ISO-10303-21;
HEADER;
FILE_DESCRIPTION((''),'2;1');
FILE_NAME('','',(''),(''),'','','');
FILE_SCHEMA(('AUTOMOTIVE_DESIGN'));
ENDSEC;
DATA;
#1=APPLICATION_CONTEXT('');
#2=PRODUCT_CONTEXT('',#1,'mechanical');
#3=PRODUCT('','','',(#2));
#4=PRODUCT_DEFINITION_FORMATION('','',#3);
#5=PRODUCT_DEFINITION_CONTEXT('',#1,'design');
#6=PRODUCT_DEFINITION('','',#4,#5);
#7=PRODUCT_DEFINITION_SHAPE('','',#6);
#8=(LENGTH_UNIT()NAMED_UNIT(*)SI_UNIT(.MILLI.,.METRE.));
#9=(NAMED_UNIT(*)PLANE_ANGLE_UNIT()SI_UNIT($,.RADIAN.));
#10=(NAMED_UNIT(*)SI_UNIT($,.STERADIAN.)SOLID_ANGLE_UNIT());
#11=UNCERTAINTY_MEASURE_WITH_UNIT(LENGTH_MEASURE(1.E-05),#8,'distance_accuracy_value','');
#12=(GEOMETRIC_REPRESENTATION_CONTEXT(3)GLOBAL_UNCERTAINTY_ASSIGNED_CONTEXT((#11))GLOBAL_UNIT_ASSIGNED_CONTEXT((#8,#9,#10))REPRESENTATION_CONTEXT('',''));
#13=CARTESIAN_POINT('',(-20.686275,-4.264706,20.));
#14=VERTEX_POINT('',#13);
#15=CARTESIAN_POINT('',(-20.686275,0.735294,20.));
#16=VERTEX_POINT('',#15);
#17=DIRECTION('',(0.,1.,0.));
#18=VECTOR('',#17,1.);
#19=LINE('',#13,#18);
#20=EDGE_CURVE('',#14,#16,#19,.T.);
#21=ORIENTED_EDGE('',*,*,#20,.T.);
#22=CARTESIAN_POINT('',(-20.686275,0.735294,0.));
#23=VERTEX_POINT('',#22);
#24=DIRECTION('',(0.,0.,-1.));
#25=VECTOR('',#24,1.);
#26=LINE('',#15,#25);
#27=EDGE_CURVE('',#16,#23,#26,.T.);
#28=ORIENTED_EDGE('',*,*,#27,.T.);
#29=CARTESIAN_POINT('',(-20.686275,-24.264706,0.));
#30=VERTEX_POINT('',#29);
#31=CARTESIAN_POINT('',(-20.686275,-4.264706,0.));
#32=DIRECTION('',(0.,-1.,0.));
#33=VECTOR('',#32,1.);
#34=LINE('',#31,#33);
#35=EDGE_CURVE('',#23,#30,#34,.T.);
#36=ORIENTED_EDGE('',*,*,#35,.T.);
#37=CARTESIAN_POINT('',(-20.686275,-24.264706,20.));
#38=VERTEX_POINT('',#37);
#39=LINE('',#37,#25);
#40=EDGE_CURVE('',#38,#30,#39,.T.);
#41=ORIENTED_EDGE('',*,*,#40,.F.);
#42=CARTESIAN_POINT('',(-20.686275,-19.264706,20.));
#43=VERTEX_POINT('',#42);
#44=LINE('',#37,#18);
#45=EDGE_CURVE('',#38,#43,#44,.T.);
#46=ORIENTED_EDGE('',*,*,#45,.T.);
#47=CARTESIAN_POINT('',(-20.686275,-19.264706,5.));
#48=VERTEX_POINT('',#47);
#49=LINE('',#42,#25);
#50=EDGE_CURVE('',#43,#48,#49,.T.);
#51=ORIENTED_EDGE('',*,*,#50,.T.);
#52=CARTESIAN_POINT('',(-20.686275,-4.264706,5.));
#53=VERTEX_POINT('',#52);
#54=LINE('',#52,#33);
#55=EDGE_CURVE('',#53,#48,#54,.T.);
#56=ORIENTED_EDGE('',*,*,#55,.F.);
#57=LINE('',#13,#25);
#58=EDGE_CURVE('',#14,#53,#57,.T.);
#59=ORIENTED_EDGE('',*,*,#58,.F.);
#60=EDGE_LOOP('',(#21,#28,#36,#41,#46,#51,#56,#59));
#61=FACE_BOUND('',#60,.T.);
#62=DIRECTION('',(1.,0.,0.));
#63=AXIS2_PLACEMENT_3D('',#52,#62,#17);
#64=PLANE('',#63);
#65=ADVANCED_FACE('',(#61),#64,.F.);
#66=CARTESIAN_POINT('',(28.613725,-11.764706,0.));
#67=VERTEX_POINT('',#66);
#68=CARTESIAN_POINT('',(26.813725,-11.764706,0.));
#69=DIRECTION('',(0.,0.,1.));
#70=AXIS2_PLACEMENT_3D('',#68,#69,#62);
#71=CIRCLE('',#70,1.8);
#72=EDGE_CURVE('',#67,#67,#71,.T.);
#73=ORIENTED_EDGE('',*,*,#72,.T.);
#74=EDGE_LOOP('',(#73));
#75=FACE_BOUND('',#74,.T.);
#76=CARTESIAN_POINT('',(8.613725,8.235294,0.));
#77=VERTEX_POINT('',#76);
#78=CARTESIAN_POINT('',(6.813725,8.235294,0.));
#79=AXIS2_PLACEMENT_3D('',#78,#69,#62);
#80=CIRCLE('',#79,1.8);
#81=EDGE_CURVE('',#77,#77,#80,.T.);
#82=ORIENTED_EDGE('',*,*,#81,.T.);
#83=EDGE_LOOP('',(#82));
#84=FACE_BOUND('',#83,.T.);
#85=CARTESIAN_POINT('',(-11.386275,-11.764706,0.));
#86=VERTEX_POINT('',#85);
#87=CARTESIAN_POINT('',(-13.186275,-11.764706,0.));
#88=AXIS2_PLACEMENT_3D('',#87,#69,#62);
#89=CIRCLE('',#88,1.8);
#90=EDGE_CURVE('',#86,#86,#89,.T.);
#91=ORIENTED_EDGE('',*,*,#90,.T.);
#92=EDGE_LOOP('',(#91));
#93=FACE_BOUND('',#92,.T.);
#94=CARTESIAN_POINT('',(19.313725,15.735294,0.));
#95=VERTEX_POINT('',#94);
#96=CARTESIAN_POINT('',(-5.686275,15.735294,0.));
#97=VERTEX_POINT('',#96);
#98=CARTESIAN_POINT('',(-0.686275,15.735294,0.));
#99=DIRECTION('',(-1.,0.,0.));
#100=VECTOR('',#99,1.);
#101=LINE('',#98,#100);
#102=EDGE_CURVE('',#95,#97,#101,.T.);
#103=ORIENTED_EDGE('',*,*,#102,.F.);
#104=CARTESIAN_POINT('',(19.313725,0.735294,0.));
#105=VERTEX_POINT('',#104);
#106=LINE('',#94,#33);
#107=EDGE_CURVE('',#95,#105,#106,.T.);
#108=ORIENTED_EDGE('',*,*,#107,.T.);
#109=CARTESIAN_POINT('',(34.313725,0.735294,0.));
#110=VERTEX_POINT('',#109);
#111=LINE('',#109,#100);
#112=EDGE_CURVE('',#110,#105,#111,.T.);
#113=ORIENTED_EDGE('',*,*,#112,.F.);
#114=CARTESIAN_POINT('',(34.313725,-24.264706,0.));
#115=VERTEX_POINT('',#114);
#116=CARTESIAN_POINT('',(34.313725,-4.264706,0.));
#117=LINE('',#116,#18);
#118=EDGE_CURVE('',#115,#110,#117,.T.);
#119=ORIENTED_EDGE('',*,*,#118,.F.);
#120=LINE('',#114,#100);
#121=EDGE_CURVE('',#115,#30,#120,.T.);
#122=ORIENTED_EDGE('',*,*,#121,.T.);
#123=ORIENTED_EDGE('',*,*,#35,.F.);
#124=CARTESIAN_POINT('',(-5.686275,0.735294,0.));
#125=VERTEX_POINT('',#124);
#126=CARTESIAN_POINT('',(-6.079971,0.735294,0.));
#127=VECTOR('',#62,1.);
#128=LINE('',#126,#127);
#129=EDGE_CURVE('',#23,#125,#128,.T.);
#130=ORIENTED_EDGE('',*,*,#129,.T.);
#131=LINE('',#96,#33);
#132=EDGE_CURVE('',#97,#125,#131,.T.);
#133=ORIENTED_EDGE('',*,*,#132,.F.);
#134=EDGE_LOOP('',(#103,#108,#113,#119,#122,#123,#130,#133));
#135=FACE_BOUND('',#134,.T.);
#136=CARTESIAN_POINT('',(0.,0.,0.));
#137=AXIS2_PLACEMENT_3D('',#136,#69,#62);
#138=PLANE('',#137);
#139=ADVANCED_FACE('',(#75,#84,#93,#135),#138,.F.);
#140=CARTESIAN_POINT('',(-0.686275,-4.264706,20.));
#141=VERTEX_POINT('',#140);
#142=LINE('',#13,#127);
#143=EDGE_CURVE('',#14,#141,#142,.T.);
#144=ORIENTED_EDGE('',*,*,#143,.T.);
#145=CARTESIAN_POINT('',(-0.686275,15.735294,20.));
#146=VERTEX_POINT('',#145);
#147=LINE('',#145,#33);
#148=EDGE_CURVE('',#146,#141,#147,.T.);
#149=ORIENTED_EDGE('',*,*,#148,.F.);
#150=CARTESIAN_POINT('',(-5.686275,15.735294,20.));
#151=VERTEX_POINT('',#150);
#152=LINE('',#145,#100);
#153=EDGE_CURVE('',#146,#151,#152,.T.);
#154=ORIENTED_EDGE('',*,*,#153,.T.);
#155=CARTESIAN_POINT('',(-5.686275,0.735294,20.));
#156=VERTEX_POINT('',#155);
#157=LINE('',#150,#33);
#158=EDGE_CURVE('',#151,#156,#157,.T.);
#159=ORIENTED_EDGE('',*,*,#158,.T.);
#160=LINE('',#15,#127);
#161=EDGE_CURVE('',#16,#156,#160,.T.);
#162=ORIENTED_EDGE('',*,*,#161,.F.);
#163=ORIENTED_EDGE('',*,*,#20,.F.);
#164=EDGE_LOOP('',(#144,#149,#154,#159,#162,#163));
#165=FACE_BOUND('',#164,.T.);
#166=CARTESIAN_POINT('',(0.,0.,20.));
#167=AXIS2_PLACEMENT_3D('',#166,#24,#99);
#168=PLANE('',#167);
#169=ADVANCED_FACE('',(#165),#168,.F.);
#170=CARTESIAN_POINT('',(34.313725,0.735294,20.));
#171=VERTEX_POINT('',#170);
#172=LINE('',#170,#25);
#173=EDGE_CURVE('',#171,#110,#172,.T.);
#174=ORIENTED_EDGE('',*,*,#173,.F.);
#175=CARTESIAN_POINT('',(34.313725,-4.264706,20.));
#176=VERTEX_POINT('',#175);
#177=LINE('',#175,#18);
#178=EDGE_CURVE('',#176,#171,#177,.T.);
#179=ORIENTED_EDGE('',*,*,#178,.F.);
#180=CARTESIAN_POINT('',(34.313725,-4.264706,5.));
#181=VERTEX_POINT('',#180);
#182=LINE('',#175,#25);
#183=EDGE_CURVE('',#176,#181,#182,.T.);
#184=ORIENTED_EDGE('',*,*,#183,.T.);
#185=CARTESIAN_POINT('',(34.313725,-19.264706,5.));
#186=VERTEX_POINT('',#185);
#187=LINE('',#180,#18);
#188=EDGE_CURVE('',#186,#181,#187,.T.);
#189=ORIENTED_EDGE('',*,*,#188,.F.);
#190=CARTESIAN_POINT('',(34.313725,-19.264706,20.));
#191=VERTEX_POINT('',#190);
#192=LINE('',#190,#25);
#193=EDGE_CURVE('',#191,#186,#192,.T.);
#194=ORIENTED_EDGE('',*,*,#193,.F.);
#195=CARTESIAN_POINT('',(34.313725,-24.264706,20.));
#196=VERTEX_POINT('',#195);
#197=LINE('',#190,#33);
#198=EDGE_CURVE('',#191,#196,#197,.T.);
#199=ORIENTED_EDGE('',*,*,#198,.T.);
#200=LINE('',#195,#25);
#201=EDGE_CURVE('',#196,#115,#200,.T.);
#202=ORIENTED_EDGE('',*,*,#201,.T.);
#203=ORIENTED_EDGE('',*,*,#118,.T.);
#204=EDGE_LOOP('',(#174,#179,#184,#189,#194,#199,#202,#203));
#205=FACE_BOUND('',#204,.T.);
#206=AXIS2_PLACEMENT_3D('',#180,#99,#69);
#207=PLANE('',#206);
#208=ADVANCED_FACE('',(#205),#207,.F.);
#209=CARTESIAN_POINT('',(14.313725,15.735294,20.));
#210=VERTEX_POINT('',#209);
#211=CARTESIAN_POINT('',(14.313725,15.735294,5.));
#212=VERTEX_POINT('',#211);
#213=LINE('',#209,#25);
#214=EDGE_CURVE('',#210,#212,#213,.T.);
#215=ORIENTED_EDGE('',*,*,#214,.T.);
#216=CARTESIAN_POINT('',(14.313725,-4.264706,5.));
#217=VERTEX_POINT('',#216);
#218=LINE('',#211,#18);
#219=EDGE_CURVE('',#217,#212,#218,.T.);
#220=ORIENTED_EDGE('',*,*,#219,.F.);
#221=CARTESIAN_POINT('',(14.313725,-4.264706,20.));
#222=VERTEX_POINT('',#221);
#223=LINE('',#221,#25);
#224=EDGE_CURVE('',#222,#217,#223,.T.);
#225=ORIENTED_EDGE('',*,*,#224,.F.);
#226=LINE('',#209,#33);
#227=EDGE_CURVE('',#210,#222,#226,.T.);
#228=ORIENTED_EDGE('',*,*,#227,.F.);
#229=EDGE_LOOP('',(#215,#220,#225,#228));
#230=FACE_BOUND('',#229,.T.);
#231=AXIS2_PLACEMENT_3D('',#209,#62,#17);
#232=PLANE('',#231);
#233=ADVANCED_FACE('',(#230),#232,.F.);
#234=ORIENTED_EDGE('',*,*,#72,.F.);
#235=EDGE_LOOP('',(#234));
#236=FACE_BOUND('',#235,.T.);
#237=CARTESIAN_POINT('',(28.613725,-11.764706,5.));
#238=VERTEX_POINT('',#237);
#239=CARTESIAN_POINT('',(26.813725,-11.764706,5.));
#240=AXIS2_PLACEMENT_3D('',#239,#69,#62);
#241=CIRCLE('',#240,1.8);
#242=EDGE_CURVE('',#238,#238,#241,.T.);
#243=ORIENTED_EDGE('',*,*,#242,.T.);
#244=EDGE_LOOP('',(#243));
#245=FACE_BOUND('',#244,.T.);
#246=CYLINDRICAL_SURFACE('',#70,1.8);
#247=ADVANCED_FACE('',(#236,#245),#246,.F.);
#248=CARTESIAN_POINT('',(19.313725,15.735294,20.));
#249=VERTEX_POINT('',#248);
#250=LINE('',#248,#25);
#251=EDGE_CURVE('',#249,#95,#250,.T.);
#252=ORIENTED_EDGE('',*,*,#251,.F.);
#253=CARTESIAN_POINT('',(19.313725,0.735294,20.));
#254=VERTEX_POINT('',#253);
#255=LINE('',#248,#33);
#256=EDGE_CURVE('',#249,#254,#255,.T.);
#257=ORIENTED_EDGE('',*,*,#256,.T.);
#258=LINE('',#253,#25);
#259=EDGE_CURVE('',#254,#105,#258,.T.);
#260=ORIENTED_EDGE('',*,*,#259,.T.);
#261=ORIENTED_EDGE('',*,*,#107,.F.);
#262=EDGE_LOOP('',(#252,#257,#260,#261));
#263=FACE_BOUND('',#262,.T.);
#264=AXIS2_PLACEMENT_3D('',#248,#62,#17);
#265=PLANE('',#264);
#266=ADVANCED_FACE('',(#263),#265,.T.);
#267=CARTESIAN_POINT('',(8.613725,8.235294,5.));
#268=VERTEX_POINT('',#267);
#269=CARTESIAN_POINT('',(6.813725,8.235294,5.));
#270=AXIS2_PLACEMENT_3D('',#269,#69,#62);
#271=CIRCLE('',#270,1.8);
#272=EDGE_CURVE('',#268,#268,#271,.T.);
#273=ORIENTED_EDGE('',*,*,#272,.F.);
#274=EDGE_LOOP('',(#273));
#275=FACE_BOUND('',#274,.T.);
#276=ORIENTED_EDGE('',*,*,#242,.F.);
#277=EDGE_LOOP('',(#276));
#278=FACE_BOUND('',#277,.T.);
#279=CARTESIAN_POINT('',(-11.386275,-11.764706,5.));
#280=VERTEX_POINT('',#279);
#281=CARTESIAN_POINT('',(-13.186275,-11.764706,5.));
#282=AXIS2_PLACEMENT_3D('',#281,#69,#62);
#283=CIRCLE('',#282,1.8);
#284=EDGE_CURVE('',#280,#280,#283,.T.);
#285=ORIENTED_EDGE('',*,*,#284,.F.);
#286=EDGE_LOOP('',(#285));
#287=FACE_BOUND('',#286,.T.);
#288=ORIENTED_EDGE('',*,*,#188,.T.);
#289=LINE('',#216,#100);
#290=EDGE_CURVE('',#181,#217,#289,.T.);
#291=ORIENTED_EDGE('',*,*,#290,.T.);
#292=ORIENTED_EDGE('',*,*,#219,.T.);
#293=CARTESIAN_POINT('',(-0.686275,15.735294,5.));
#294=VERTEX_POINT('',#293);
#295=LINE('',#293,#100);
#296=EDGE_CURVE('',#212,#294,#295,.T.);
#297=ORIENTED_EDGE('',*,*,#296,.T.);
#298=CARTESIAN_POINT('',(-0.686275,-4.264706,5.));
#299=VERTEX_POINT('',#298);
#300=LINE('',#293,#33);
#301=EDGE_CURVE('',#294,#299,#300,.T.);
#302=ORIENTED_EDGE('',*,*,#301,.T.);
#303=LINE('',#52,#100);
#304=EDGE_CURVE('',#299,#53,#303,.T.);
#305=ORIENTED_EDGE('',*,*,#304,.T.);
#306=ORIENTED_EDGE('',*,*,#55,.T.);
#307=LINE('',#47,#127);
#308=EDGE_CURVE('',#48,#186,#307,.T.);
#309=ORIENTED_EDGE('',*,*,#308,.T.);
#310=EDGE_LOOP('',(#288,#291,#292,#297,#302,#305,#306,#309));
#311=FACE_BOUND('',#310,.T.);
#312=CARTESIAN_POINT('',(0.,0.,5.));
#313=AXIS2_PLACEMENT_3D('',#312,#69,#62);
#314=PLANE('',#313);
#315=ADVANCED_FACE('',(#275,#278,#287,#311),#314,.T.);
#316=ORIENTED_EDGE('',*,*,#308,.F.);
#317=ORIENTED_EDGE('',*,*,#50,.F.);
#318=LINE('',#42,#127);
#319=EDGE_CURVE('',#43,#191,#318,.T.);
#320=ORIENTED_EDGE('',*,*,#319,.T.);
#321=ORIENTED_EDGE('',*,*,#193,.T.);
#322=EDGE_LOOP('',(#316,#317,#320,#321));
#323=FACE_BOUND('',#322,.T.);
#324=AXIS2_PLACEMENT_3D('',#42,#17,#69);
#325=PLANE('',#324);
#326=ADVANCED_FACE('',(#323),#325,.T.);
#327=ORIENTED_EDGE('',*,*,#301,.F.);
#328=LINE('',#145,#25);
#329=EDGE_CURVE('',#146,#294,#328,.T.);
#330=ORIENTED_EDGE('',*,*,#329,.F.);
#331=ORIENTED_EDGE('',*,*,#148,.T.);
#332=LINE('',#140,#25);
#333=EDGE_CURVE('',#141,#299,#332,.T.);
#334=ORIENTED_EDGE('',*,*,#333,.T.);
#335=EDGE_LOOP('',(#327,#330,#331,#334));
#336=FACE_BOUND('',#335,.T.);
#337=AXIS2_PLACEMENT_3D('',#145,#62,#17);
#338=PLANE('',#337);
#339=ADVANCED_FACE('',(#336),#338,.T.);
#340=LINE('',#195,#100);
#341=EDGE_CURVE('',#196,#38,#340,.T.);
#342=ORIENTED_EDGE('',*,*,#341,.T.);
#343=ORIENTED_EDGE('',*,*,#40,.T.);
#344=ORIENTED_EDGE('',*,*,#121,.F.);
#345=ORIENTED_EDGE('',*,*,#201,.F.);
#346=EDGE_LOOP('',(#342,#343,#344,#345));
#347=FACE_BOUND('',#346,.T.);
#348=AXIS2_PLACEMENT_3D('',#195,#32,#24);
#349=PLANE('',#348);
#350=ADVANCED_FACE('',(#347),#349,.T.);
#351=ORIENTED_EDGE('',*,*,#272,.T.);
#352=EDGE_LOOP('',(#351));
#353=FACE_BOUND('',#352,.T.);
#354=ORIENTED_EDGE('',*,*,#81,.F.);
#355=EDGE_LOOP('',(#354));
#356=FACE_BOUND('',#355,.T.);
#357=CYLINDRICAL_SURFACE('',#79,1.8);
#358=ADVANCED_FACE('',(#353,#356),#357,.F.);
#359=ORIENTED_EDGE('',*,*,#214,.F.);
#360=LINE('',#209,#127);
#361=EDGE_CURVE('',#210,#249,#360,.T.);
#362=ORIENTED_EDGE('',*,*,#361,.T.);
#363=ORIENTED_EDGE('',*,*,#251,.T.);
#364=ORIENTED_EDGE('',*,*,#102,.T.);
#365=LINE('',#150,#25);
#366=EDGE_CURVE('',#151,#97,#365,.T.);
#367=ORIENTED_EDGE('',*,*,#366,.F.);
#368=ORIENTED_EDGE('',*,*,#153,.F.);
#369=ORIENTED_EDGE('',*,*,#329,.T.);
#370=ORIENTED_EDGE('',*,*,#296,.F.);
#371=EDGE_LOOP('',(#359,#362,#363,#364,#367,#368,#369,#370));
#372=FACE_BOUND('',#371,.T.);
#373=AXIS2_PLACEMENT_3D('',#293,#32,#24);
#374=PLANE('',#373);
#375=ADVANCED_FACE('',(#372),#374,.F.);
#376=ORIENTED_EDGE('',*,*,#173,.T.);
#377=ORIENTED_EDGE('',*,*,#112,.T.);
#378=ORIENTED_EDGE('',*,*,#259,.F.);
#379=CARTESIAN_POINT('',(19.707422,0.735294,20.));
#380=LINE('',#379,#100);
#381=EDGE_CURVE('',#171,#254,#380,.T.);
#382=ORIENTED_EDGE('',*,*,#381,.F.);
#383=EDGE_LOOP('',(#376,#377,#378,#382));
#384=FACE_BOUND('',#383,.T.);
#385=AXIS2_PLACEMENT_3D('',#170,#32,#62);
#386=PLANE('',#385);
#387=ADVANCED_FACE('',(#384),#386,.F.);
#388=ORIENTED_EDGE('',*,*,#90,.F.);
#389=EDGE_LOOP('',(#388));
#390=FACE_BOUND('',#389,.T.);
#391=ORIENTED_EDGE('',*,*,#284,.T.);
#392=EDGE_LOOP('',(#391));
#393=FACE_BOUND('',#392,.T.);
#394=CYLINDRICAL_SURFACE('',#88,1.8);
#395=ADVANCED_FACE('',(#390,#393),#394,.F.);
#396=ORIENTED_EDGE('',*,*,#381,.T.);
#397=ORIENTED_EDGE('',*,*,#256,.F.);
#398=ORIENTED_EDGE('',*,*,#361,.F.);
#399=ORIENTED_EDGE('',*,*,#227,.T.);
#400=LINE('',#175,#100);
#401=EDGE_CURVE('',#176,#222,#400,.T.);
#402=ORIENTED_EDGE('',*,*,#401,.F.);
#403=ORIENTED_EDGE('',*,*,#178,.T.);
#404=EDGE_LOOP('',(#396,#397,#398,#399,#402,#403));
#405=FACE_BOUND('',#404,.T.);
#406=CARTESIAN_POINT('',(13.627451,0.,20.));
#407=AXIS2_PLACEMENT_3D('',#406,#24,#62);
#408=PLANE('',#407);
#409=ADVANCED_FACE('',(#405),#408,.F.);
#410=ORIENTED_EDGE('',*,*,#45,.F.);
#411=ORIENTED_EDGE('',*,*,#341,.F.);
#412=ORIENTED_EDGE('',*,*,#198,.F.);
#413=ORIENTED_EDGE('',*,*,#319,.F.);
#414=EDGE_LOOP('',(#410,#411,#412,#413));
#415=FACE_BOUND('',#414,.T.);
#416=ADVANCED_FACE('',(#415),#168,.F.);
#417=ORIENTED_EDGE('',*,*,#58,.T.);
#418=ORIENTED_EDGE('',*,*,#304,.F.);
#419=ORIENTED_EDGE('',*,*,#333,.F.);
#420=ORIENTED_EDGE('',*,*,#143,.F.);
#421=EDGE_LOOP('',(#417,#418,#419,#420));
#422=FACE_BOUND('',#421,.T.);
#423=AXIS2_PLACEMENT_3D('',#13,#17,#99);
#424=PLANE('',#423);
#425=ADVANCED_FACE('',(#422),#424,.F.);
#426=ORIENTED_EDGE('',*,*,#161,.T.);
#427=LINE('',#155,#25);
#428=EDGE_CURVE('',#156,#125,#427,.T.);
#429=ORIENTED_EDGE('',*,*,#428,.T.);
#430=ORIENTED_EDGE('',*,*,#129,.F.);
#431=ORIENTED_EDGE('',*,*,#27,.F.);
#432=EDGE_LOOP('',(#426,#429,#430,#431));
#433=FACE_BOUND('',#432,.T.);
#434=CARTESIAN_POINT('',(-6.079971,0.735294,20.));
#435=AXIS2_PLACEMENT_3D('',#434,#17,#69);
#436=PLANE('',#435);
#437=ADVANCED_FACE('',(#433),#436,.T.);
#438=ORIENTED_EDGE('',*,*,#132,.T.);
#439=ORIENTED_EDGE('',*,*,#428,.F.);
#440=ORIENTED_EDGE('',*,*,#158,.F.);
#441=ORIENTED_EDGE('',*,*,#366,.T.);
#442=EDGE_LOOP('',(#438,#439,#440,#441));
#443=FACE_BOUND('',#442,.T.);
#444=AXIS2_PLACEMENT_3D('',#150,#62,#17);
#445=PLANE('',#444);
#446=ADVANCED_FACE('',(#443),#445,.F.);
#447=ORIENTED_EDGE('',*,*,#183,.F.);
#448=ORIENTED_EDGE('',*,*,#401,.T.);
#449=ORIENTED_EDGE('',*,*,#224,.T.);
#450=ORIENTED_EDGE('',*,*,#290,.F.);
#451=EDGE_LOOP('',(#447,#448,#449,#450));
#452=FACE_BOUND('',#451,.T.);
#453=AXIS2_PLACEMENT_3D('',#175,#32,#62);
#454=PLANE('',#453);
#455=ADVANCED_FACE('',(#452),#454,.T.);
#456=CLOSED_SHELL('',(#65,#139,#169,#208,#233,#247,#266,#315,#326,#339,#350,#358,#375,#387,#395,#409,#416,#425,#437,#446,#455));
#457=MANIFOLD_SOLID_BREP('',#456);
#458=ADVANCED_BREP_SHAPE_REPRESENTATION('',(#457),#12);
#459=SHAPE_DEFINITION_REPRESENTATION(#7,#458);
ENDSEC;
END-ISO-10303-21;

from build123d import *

# Parameters (mm, degrees)
BOSS_EXTRUDE1_DEPTH = 5
BOSS_EXTRUDE2_DEPTH = 20
SKETCH4_W           = 55
SKETCH4_H           = 5
BOSS_EXTRUDE3_DEPTH = 20
SKETCH6_R           = 1.8
CUT_EXTRUDE3_DEPTH  = 6


with BuildPart() as part:
    # Sketch1 → Boss-Extrude1 (new body)
    with BuildSketch(Plane.XY):
        Polygon((14.31372549, -4.264705882), (34.31372549, -4.264705882), (34.31372549, -19.264705882), (-20.68627451, -19.264705882), (-20.68627451, -4.264705882), (-0.68627451, -4.264705882), (-0.68627451, 15.735294118), (14.31372549, 15.735294118), align=None)
    extrude(amount=BOSS_EXTRUDE1_DEPTH)

    # Sketch2 → Boss-Extrude2 (add)
    with BuildSketch(Plane(origin=(0, 0, 0), x_dir=(-1, 0, 0), z_dir=(0, 0, -1))):
        Polygon((0.68627451, 15.735294118), (5.68627451, 15.735294118), (5.68627451, 0.735294118), (6.079970528, 0.735294118), (20.68627451, 0.735294118), (20.68627451, -4.264705882), (0.68627451, -4.264705882), align=None)
    boss_extrude2 = extrude(amount=-BOSS_EXTRUDE2_DEPTH)

    # Sketch4 → Boss-Extrude3 (add)
    with BuildSketch(Plane(origin=(0, 0, 0), x_dir=(-1, 0, 0), z_dir=(0, 0, -1))):
        with Locations((-6.81372549, -21.764705882)):
            Rectangle(SKETCH4_W, SKETCH4_H)
    extrude(amount=-BOSS_EXTRUDE3_DEPTH)

    # Mirror1: Boss-Extrude2 across plane
    add(boss_extrude2.mirror(Plane.ZY.offset(-6.81372549)))

    # Sketch6 → Cut-Extrude3 (cut, through all)
    with BuildSketch(Plane.XY.offset(5)):
        with Locations((6.81372549, 8.235294118)):
            Circle(SKETCH6_R)
        with Locations((-13.18627451, -11.764705882)):
            Circle(SKETCH6_R)
        with Locations((26.81372549, -11.764705882)):
            Circle(SKETCH6_R)
    extrude(amount=-CUT_EXTRUDE3_DEPTH, mode=Mode.SUBTRACT)


solid = part.part
